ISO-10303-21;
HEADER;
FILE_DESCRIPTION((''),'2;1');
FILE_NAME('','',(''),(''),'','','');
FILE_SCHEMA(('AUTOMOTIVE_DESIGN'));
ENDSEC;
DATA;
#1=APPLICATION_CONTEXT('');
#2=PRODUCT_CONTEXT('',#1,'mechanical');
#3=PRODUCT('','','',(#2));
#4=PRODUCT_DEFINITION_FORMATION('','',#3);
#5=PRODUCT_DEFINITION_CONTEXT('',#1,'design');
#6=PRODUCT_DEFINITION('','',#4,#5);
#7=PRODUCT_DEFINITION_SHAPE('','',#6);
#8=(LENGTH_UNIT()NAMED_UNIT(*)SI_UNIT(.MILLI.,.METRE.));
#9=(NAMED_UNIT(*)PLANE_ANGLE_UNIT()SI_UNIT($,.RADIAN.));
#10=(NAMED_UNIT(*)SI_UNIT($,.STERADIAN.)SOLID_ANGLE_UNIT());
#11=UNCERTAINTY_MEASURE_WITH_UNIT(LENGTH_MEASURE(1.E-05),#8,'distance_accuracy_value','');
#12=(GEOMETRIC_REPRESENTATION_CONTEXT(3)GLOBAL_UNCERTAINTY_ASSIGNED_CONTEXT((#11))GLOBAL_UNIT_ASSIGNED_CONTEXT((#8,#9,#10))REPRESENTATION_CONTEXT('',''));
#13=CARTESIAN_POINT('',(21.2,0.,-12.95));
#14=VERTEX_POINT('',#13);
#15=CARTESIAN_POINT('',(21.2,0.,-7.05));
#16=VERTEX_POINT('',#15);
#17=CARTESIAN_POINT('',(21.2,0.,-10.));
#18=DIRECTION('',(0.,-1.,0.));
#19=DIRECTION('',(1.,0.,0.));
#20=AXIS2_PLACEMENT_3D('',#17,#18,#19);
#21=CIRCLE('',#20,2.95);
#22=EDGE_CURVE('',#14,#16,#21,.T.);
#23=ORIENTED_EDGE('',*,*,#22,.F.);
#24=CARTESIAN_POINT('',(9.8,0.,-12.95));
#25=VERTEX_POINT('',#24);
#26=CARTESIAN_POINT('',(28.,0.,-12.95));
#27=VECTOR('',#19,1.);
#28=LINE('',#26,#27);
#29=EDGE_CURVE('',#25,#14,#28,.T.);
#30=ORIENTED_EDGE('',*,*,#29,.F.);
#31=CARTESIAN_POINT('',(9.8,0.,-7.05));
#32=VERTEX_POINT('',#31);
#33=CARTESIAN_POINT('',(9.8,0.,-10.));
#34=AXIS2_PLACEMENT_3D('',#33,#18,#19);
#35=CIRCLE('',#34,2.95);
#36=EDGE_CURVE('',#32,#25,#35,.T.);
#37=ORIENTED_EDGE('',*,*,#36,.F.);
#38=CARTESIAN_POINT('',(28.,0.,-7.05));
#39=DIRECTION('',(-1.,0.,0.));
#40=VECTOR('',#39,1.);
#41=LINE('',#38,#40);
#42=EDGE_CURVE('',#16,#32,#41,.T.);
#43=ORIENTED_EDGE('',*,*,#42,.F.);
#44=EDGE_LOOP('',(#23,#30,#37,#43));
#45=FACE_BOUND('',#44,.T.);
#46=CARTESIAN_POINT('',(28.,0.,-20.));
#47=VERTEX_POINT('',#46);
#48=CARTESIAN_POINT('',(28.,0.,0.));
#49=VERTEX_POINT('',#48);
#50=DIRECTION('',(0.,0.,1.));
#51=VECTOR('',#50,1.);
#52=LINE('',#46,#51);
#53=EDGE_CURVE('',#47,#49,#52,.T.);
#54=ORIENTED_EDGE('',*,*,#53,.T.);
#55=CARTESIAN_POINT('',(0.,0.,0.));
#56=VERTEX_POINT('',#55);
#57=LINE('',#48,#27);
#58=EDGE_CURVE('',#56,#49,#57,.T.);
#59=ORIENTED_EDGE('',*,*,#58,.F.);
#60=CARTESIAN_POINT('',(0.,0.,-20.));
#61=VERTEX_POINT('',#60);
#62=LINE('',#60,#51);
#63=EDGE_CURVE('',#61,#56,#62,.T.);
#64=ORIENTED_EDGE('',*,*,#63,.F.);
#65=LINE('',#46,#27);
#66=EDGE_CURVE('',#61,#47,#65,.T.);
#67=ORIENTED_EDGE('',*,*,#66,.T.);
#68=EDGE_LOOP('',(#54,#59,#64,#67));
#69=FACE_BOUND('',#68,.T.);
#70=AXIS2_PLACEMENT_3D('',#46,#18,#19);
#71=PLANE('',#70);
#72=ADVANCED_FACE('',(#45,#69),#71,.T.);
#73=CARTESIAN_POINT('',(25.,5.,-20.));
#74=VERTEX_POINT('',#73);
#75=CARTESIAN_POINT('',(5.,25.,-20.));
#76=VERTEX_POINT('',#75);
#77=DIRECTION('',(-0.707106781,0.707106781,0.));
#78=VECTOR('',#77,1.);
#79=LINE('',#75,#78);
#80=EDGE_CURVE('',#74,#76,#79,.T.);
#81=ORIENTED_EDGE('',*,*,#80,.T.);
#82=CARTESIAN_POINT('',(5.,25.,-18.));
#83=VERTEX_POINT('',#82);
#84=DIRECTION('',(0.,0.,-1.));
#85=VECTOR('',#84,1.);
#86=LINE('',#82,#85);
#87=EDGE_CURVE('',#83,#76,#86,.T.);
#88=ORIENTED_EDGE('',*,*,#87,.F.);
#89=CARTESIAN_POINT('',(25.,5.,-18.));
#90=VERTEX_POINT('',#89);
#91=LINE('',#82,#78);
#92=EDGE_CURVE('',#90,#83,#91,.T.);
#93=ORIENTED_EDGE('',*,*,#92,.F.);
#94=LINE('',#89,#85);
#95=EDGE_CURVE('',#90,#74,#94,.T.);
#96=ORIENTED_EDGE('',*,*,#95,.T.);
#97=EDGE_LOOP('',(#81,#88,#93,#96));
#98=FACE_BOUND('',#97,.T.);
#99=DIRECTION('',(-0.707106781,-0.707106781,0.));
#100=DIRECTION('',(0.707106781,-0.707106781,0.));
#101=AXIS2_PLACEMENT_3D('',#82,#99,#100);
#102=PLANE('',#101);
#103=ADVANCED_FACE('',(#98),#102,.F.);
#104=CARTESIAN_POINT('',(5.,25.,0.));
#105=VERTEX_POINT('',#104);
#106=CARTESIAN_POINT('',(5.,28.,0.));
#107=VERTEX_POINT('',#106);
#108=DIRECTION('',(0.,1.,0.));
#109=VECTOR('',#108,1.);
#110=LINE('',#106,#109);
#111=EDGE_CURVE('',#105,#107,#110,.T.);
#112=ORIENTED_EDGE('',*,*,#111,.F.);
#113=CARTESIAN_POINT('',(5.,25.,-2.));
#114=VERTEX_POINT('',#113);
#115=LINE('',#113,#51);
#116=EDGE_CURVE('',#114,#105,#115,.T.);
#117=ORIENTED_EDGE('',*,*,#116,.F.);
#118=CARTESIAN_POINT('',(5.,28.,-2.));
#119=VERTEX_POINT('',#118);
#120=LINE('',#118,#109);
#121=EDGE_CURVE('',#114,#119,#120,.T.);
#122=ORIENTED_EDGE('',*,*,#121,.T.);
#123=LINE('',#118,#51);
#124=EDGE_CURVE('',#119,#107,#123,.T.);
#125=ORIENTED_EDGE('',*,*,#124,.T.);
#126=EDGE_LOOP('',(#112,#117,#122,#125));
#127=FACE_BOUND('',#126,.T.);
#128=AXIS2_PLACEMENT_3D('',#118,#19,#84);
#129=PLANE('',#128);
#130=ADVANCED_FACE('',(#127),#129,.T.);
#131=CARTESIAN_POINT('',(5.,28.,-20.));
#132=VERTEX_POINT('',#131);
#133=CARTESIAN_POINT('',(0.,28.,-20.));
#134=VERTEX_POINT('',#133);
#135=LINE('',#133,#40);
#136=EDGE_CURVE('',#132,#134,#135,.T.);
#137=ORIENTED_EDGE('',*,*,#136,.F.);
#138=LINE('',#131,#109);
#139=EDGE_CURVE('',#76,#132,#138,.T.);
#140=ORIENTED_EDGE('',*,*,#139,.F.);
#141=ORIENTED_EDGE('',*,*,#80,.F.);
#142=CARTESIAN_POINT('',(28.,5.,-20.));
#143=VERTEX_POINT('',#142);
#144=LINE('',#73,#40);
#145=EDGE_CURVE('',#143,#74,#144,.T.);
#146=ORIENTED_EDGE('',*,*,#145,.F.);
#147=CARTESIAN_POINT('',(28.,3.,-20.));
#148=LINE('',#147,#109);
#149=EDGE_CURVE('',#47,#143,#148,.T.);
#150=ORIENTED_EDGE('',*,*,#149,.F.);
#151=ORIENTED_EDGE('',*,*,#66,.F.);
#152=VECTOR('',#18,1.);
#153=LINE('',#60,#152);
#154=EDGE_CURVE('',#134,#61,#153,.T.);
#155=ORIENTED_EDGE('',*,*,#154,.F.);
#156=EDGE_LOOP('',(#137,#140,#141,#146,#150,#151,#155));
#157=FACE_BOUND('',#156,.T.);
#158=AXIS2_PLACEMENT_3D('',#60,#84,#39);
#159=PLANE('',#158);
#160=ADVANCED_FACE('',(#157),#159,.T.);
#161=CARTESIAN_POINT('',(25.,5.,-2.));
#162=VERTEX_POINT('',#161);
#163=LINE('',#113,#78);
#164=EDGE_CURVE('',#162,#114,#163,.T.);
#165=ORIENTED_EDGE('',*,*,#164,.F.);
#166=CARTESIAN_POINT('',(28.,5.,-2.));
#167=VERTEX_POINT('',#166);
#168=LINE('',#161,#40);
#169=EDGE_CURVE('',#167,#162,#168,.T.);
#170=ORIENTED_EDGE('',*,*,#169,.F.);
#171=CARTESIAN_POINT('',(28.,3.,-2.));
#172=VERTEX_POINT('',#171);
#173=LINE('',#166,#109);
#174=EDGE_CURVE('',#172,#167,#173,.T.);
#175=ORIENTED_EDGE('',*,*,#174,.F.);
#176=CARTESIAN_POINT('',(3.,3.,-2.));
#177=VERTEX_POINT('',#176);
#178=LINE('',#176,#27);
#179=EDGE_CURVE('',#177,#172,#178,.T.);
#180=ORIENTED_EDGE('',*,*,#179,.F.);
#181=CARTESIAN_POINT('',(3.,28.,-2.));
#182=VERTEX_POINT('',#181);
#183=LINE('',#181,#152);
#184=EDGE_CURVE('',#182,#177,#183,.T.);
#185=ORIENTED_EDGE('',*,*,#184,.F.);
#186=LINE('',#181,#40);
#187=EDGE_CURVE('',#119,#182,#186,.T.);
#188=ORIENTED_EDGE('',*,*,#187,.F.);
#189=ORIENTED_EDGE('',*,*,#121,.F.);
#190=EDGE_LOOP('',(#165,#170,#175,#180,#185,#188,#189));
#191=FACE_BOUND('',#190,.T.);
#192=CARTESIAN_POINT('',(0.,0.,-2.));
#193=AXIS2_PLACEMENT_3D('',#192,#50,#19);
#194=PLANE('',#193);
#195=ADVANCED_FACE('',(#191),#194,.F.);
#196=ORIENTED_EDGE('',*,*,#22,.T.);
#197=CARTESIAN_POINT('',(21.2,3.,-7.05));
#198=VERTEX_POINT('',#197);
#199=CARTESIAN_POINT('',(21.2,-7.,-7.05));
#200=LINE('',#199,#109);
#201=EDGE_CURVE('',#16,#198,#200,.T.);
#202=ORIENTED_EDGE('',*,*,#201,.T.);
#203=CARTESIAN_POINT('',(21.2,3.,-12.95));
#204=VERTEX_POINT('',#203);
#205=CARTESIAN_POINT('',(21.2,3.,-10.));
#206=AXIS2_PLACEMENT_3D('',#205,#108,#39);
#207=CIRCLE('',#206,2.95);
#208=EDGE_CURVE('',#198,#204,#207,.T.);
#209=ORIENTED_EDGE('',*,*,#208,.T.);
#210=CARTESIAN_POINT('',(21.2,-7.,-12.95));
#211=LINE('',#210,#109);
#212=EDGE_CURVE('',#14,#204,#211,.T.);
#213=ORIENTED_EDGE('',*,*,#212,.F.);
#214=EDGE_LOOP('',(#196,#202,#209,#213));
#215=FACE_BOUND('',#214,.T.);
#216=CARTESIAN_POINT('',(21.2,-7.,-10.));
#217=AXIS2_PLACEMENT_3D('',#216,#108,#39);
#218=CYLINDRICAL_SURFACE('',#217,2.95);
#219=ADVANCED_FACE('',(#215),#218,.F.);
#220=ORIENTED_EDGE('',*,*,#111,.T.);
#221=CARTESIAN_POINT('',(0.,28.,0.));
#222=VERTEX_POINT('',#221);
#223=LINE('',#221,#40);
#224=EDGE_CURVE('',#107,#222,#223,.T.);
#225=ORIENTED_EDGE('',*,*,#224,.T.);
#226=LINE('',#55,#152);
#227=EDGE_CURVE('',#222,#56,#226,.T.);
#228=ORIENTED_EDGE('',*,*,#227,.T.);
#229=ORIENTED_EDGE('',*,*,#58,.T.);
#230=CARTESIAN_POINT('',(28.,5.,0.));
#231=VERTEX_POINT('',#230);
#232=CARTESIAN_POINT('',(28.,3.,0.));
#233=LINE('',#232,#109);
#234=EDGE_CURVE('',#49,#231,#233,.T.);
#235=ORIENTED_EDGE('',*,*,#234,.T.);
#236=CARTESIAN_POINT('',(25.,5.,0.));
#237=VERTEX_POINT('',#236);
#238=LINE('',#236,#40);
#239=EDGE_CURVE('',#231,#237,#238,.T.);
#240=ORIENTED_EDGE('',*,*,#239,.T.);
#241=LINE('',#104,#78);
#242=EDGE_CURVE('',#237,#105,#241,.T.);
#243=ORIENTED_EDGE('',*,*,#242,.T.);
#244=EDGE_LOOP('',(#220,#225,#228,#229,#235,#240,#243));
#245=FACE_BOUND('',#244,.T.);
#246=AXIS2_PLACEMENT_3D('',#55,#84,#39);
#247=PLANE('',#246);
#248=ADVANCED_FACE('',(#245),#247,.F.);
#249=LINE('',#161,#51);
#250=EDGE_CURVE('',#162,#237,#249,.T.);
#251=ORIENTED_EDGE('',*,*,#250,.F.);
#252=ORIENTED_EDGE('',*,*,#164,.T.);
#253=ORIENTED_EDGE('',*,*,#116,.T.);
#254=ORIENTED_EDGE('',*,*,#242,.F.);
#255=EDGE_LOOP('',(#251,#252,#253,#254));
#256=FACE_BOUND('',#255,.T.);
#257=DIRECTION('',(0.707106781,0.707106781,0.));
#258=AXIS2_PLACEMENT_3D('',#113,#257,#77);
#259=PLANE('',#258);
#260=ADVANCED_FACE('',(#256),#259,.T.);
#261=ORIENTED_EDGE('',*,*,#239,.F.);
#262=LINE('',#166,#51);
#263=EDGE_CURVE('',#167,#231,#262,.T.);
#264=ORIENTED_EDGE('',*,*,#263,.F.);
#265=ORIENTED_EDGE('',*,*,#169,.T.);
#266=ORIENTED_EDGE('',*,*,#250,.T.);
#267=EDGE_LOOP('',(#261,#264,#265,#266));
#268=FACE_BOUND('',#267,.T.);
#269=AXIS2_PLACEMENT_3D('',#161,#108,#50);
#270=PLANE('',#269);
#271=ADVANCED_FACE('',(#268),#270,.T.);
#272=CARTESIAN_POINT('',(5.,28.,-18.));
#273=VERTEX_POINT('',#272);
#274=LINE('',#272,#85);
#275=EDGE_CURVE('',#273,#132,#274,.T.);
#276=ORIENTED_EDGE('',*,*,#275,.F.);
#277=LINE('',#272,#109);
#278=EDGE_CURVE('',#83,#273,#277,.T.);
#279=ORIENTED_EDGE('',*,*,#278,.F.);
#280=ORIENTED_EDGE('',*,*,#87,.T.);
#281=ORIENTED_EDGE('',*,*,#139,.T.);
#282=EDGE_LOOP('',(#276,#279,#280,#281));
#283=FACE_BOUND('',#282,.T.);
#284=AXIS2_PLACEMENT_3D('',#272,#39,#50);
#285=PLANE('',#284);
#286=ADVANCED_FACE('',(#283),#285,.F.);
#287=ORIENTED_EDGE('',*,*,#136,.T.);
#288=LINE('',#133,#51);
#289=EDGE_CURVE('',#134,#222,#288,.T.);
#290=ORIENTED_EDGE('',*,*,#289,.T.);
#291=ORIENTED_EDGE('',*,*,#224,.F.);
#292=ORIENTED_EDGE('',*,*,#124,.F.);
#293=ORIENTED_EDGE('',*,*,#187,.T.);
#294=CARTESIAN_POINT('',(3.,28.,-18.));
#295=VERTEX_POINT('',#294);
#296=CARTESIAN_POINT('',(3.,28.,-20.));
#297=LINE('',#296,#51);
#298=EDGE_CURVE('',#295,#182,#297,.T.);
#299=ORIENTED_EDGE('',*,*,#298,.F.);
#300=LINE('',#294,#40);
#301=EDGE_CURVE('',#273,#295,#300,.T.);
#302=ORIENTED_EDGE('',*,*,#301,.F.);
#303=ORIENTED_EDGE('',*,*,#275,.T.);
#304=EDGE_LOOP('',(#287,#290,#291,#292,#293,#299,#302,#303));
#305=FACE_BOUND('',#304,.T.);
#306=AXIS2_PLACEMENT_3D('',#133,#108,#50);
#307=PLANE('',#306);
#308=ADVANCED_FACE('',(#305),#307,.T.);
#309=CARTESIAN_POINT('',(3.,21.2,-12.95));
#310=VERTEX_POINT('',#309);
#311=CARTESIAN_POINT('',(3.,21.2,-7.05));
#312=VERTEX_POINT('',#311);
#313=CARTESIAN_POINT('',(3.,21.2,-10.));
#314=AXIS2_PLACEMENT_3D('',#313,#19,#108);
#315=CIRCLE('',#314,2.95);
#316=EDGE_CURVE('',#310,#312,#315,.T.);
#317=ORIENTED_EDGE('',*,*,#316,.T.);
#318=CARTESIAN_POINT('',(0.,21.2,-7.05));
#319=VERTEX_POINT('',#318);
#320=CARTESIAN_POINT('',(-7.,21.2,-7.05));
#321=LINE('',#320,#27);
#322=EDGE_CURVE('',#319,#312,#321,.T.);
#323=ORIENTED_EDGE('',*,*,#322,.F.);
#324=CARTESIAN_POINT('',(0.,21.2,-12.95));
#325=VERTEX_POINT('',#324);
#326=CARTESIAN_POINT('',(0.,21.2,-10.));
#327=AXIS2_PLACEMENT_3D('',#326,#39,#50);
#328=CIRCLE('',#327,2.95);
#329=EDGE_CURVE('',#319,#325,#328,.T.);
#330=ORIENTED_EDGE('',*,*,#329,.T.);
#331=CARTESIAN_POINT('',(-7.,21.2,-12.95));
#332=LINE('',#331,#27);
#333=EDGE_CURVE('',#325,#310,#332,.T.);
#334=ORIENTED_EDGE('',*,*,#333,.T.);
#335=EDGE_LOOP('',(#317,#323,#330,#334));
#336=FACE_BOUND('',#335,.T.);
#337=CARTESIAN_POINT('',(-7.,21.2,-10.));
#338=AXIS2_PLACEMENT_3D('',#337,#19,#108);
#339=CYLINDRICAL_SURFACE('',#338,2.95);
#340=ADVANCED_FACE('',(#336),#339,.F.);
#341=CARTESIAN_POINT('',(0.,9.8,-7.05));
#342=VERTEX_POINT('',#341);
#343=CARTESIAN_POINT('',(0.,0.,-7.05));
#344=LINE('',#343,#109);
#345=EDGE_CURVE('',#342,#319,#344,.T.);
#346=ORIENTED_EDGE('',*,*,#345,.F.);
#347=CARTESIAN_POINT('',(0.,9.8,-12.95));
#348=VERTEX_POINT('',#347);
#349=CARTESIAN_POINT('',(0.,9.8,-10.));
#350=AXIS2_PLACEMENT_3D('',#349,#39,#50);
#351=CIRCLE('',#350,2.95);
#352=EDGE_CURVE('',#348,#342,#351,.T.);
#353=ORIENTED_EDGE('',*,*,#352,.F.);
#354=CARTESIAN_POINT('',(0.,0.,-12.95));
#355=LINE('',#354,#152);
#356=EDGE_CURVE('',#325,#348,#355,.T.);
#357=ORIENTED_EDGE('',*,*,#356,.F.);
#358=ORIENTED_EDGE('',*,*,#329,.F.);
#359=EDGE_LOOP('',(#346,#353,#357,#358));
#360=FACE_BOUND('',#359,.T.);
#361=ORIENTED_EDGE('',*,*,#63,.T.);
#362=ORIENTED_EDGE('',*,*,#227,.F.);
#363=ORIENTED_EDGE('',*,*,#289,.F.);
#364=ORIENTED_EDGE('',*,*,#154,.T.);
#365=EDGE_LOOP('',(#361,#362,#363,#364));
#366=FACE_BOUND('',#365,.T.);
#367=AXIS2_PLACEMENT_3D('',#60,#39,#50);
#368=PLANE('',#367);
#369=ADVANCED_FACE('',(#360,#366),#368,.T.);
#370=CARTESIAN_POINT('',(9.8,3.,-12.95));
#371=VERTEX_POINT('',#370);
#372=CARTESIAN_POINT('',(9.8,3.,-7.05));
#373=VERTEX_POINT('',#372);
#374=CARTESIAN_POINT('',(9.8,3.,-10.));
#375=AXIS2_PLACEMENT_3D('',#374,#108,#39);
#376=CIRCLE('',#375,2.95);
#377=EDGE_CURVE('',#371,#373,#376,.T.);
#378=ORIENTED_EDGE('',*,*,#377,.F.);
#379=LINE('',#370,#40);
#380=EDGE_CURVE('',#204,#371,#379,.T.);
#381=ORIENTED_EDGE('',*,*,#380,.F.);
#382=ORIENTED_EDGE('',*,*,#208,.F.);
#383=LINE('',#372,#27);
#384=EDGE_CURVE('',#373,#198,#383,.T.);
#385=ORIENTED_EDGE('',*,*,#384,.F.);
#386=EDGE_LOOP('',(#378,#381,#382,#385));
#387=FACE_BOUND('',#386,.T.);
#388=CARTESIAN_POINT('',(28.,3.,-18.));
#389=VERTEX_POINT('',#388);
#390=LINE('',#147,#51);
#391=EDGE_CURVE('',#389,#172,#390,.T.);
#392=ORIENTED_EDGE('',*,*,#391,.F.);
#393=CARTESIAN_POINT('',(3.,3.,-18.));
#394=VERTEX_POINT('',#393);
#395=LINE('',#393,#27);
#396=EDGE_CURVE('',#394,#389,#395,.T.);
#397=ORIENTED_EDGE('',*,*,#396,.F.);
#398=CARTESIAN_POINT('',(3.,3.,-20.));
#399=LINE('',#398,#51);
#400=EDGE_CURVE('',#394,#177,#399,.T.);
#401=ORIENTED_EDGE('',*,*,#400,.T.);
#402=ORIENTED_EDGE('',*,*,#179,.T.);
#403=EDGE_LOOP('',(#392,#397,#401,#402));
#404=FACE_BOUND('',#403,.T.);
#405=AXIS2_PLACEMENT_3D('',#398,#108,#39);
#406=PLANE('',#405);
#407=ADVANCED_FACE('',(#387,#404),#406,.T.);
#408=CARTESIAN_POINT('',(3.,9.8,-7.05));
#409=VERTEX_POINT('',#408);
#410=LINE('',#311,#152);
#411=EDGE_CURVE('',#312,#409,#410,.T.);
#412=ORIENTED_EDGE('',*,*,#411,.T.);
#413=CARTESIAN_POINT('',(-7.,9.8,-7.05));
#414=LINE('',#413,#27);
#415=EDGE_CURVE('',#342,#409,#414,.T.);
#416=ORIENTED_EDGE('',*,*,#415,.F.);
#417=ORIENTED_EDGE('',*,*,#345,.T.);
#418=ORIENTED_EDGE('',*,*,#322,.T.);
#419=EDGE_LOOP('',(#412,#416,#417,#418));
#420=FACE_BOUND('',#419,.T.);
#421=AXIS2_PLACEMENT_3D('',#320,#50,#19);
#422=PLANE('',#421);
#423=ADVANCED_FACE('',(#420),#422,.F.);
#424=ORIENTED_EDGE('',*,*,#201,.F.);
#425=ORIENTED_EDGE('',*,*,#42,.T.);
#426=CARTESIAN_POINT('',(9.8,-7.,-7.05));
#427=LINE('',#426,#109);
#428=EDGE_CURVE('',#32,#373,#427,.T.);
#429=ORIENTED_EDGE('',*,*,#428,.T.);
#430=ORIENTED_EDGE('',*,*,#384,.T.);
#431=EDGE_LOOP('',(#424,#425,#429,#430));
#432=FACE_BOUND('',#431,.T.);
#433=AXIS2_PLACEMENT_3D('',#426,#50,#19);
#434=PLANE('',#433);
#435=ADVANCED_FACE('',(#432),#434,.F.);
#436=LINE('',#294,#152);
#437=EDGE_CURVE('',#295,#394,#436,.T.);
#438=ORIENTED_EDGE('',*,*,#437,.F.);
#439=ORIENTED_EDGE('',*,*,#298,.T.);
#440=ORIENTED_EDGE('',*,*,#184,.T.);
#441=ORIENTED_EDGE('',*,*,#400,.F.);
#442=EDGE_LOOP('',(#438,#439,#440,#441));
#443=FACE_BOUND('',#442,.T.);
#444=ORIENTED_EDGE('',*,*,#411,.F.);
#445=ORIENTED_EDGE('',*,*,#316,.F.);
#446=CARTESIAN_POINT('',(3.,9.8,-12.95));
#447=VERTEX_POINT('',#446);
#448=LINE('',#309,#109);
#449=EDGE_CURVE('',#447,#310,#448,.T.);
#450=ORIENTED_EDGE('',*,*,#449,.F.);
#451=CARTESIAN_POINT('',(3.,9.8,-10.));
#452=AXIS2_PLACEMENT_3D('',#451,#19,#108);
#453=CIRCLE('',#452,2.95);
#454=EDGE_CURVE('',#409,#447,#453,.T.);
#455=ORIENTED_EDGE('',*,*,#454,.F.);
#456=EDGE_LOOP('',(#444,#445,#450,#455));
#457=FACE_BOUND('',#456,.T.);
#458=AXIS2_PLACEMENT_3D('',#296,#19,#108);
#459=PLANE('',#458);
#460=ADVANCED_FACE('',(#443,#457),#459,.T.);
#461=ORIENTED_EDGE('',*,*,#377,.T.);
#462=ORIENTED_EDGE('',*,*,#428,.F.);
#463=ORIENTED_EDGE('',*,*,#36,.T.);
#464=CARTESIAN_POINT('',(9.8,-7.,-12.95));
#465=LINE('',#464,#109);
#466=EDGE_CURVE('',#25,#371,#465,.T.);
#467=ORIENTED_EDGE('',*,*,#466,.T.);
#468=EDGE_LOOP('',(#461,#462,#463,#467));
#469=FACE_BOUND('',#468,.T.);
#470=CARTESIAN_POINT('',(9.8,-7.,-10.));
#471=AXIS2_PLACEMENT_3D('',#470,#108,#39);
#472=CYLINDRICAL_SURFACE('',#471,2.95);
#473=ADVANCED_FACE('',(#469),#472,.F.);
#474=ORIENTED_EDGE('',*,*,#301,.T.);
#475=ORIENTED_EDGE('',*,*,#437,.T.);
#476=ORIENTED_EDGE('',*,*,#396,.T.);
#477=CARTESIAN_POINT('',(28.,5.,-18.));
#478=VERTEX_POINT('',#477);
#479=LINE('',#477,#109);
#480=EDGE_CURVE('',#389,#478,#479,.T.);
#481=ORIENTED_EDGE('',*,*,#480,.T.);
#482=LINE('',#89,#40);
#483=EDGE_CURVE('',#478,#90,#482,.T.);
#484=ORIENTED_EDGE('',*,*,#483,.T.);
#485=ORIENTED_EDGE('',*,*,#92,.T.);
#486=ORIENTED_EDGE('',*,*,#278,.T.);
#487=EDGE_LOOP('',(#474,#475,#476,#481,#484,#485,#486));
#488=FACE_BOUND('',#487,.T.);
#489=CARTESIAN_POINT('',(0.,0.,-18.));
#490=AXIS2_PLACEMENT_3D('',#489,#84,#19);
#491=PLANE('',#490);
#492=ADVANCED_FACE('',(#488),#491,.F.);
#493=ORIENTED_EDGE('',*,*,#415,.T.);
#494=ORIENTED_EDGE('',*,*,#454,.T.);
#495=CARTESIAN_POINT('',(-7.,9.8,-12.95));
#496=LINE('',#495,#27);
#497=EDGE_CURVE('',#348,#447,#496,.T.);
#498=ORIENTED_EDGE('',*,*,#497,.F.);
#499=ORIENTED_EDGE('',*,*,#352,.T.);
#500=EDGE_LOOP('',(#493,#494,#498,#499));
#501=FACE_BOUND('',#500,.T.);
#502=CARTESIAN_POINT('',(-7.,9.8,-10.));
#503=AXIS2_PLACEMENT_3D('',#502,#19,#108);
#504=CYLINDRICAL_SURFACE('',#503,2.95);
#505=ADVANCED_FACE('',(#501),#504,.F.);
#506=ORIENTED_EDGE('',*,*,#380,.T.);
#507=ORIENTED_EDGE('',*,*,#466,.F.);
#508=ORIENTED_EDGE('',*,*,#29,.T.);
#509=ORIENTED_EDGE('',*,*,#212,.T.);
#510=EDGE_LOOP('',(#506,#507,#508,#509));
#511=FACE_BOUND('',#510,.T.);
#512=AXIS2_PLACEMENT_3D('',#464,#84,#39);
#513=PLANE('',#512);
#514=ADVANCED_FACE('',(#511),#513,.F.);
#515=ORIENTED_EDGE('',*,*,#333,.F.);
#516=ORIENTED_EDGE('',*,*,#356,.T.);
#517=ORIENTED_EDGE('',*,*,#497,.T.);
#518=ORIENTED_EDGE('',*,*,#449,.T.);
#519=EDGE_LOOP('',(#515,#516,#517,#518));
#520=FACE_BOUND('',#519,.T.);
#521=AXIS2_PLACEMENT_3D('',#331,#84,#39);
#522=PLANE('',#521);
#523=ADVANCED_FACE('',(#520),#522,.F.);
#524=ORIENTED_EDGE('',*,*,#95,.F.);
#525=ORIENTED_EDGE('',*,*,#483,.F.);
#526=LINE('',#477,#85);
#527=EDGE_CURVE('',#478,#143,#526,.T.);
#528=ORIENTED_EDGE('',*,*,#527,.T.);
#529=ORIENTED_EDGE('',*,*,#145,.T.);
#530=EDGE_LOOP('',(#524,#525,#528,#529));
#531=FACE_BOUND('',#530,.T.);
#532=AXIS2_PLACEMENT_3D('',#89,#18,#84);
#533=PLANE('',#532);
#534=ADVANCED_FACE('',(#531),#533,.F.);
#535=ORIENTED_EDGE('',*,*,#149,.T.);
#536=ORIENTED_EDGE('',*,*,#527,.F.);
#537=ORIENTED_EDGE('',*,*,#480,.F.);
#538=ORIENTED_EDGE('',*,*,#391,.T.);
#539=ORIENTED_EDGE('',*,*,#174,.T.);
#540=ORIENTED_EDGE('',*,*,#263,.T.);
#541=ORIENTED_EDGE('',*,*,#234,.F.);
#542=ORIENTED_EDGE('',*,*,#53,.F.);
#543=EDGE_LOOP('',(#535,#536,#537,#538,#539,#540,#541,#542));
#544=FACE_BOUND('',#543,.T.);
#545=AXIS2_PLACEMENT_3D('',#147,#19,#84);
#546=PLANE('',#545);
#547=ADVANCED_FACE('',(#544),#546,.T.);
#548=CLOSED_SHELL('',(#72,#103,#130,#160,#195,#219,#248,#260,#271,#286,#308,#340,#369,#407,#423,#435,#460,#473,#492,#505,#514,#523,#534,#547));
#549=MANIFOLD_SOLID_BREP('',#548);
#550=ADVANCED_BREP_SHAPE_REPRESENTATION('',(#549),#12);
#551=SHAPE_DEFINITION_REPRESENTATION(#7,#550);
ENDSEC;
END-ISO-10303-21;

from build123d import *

# Parameters (mm, degrees)
BOSS_EXTRUDE1_DEPTH = 20
CUT_EXTRUDE1_DEPTH  = 10
CUT_EXTRUDE2_DEPTH  = 10
BOSS_EXTRUDE2_DEPTH = 2


with BuildPart() as part:
    # Sketch2 → Boss-Extrude1 (new body)
    with BuildSketch(Plane.XY):
        Polygon((0, 0), (0, 28), (3, 28), (3, 3), (28, 3), (28, 0), align=None)
    extrude(amount=-BOSS_EXTRUDE1_DEPTH)

    # Sketch4 → Cut-Extrude1 (cut)
    with BuildSketch(Plane(origin=(0, 3, 0), x_dir=(1, 0, 0), z_dir=(0, 1, 0))):
        with BuildLine():
            Line((9.8, 12.95), (21.2, 12.95))
            ThreePointArc((21.2, 12.95), (24.15, 10), (21.2, 7.05))
            Line((21.2, 7.05), (9.8, 7.05))
            ThreePointArc((9.8, 7.05), (6.85, 10), (9.8, 12.95))
        make_face()
    extrude(amount=-CUT_EXTRUDE1_DEPTH, mode=Mode.SUBTRACT)

    # Sketch5 → Cut-Extrude2 (cut)
    with BuildSketch(Plane(origin=(3, 0, 0), x_dir=(0, 0, -1), z_dir=(1, 0, 0))):
        with BuildLine():
            Line((12.95, 21.2), (12.95, 9.8))
            ThreePointArc((12.95, 9.8), (10, 6.85), (7.05, 9.8))
            Line((7.05, 9.8), (7.05, 21.2))
            ThreePointArc((7.05, 21.2), (10, 24.15), (12.95, 21.2))
        make_face()
    extrude(amount=-CUT_EXTRUDE2_DEPTH, mode=Mode.SUBTRACT)

    # Sketch6 → Boss-Extrude2 (add)
    with BuildSketch(Plane.XY):
        Polygon((3, 28), (5, 28), (5, 25), (25, 5), (28, 5), (28, 3), (3, 3), align=None)
    boss_extrude2 = extrude(amount=-BOSS_EXTRUDE2_DEPTH)

    # Mirror4: Boss-Extrude2 across plane
    add(boss_extrude2.mirror(Plane(origin=(0, 0, -10), x_dir=(1, 0, 0), z_dir=(0, 0, -1))))


solid = part.part
